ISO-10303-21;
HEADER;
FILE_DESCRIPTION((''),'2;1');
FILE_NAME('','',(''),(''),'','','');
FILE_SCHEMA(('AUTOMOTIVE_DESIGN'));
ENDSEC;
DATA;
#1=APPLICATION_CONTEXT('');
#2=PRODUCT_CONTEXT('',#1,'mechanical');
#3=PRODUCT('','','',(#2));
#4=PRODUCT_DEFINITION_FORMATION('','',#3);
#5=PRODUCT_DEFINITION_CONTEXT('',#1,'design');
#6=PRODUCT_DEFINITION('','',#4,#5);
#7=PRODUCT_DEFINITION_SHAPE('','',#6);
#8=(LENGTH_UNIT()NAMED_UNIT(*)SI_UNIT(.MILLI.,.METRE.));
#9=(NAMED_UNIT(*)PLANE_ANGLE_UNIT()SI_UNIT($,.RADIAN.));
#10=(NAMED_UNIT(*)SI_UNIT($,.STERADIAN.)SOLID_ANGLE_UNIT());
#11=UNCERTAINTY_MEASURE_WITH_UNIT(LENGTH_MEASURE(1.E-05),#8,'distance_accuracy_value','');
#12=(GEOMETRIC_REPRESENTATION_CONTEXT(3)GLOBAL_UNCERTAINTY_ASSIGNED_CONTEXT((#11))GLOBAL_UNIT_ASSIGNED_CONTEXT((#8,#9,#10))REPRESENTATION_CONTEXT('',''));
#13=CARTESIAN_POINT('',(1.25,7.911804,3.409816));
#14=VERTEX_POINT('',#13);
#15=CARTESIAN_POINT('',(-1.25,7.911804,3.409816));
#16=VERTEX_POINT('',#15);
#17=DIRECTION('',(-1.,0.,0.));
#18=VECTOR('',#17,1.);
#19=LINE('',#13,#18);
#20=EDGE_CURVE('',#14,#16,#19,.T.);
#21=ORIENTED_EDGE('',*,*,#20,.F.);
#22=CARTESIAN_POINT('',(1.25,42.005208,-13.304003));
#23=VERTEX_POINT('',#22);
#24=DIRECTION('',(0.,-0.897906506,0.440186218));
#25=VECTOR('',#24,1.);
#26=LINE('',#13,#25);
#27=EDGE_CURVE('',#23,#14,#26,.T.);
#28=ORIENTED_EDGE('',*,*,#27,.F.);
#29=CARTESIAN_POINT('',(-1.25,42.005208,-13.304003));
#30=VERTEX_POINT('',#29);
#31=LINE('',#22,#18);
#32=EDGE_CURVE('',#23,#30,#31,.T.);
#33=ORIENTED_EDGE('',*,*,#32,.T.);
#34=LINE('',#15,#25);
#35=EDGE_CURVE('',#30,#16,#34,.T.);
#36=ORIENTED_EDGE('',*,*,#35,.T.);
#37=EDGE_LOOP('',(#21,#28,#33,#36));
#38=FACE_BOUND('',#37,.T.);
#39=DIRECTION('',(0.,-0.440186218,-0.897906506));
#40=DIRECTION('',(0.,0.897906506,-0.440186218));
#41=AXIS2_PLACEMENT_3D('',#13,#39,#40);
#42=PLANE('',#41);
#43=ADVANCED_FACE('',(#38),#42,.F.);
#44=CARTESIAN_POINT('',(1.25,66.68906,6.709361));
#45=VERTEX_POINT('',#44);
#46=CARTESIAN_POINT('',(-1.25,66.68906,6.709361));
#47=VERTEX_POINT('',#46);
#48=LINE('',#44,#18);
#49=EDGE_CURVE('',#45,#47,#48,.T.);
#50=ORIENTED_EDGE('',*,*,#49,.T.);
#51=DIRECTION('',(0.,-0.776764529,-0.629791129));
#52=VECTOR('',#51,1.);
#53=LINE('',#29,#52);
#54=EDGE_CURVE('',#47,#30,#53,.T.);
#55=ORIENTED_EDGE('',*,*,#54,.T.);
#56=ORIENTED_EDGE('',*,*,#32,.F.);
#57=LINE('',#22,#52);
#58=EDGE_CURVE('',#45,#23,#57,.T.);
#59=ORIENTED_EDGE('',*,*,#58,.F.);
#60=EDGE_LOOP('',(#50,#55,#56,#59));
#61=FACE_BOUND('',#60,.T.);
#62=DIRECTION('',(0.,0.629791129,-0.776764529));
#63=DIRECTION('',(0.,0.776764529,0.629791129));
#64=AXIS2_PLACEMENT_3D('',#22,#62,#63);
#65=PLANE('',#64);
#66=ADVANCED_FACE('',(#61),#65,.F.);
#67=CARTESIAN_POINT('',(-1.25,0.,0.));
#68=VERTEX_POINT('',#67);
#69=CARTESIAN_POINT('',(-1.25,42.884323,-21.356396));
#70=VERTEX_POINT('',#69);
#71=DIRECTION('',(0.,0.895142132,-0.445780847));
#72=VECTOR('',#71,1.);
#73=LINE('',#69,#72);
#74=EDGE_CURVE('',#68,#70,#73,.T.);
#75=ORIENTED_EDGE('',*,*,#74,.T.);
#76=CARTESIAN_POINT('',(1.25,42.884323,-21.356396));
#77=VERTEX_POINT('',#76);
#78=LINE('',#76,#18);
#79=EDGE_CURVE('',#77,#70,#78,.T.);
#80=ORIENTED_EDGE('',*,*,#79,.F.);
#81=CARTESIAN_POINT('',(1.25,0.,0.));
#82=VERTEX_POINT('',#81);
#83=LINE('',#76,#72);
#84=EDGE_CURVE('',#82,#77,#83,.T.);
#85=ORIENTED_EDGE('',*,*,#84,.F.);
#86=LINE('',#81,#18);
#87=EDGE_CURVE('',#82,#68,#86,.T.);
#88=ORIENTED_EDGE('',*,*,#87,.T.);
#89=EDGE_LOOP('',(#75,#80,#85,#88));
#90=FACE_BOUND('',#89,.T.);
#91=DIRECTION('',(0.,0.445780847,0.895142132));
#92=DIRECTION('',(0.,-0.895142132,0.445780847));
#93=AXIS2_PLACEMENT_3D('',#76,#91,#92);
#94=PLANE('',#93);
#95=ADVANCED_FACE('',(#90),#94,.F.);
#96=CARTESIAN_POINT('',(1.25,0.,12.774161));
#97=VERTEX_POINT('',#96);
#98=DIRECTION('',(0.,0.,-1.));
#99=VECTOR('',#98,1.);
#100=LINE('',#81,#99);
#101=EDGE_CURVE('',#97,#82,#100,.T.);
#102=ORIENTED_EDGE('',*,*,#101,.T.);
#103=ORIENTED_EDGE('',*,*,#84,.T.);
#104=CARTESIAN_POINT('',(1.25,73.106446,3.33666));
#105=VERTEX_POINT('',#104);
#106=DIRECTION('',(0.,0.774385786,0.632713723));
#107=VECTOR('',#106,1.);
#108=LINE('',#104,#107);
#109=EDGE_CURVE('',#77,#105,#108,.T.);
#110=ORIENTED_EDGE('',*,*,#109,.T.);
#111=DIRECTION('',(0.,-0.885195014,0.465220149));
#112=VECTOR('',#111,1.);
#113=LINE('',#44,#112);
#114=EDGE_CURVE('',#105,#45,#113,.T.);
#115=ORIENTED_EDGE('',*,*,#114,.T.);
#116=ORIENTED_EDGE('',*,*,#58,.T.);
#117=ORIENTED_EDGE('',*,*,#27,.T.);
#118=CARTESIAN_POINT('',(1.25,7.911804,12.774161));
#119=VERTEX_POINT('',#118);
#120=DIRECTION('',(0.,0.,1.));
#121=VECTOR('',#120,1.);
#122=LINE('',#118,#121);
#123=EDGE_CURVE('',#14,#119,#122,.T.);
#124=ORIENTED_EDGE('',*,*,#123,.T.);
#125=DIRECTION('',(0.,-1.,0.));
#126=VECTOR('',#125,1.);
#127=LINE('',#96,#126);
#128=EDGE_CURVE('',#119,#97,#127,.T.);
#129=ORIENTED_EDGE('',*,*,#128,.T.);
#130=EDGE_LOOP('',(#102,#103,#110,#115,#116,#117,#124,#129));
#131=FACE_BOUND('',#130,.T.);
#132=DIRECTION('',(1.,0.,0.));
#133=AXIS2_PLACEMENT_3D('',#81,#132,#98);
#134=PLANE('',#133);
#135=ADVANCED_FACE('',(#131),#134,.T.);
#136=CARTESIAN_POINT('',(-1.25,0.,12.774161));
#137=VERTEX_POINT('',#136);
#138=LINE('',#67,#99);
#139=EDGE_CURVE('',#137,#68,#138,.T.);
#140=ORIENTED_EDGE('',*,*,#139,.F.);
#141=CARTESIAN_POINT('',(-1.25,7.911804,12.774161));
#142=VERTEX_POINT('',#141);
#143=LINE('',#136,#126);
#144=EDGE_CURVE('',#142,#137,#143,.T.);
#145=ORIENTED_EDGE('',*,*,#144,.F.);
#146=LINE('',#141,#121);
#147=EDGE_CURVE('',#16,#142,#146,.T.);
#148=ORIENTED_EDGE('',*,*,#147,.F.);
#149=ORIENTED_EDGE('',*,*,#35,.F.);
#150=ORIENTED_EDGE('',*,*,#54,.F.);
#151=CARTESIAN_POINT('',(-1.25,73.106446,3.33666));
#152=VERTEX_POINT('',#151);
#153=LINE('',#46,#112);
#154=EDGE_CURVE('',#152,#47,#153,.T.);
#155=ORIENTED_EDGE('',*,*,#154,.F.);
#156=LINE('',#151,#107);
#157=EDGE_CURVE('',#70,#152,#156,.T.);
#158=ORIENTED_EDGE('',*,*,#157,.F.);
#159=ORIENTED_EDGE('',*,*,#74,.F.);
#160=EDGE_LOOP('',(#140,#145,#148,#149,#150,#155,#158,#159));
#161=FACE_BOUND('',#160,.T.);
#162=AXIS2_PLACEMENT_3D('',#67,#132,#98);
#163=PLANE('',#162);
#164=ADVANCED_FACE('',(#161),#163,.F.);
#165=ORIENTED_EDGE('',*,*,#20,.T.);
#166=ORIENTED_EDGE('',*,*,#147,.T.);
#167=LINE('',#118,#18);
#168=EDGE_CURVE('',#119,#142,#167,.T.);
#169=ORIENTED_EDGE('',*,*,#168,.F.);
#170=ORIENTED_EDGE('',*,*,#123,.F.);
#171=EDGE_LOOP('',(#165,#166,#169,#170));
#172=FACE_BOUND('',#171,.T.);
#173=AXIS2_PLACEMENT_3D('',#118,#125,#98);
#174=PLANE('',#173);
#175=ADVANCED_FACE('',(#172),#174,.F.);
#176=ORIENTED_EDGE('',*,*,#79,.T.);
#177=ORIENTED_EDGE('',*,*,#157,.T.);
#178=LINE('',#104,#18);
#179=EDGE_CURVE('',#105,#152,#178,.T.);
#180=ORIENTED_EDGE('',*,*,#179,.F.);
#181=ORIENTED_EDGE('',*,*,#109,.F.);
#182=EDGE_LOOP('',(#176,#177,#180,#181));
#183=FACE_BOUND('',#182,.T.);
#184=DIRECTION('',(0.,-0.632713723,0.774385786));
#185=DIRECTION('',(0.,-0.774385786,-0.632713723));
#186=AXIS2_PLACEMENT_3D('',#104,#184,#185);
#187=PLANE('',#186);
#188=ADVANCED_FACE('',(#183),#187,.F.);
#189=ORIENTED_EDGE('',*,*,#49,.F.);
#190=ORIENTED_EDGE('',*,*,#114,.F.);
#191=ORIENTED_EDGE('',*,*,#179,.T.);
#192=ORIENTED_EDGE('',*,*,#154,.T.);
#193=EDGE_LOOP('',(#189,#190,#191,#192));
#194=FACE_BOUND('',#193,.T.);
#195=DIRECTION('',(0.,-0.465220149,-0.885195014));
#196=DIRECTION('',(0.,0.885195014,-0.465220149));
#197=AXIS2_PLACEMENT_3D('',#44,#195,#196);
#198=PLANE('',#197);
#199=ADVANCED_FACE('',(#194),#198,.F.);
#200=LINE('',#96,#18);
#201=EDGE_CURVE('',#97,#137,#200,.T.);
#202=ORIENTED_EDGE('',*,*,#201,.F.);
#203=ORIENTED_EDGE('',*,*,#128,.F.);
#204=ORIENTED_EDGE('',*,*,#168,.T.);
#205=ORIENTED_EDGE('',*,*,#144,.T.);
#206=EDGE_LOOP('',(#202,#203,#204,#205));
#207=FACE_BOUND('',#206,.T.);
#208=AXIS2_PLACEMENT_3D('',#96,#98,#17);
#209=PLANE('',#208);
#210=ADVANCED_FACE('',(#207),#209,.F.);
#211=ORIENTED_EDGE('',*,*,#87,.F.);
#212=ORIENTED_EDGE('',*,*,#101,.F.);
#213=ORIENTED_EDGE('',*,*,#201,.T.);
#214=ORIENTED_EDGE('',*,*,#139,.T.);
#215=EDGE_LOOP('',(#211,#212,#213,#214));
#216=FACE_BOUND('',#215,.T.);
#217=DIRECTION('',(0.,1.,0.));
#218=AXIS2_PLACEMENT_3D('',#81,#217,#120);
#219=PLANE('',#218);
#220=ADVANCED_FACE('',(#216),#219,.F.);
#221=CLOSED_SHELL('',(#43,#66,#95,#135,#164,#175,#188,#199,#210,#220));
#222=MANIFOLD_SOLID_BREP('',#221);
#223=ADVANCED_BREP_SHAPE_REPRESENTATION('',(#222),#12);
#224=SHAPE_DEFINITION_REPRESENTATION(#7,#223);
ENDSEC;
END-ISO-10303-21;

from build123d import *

# Parameters (mm, degrees)
BOSS_EXTRUDE1_DEPTH = 1.25


with BuildPart() as part:
    # Sketch1 → Boss-Extrude1 (new, symmetric)
    with BuildSketch(Plane(origin=(0, 0, 0), x_dir=(0, 0, -1), z_dir=(1, 0, 0))):
        Polygon((0, 0), (-12.774161143, 0), (-12.774161143, 7.911803975), (-3.409816132, 7.911803975), (13.304002672, 42.00520811), (-6.709360554, 66.689059562), (-3.33666023, 73.106446076), (21.356396123, 42.884323233), align=None)
    extrude(amount=BOSS_EXTRUDE1_DEPTH, both=True)


solid = part.part
